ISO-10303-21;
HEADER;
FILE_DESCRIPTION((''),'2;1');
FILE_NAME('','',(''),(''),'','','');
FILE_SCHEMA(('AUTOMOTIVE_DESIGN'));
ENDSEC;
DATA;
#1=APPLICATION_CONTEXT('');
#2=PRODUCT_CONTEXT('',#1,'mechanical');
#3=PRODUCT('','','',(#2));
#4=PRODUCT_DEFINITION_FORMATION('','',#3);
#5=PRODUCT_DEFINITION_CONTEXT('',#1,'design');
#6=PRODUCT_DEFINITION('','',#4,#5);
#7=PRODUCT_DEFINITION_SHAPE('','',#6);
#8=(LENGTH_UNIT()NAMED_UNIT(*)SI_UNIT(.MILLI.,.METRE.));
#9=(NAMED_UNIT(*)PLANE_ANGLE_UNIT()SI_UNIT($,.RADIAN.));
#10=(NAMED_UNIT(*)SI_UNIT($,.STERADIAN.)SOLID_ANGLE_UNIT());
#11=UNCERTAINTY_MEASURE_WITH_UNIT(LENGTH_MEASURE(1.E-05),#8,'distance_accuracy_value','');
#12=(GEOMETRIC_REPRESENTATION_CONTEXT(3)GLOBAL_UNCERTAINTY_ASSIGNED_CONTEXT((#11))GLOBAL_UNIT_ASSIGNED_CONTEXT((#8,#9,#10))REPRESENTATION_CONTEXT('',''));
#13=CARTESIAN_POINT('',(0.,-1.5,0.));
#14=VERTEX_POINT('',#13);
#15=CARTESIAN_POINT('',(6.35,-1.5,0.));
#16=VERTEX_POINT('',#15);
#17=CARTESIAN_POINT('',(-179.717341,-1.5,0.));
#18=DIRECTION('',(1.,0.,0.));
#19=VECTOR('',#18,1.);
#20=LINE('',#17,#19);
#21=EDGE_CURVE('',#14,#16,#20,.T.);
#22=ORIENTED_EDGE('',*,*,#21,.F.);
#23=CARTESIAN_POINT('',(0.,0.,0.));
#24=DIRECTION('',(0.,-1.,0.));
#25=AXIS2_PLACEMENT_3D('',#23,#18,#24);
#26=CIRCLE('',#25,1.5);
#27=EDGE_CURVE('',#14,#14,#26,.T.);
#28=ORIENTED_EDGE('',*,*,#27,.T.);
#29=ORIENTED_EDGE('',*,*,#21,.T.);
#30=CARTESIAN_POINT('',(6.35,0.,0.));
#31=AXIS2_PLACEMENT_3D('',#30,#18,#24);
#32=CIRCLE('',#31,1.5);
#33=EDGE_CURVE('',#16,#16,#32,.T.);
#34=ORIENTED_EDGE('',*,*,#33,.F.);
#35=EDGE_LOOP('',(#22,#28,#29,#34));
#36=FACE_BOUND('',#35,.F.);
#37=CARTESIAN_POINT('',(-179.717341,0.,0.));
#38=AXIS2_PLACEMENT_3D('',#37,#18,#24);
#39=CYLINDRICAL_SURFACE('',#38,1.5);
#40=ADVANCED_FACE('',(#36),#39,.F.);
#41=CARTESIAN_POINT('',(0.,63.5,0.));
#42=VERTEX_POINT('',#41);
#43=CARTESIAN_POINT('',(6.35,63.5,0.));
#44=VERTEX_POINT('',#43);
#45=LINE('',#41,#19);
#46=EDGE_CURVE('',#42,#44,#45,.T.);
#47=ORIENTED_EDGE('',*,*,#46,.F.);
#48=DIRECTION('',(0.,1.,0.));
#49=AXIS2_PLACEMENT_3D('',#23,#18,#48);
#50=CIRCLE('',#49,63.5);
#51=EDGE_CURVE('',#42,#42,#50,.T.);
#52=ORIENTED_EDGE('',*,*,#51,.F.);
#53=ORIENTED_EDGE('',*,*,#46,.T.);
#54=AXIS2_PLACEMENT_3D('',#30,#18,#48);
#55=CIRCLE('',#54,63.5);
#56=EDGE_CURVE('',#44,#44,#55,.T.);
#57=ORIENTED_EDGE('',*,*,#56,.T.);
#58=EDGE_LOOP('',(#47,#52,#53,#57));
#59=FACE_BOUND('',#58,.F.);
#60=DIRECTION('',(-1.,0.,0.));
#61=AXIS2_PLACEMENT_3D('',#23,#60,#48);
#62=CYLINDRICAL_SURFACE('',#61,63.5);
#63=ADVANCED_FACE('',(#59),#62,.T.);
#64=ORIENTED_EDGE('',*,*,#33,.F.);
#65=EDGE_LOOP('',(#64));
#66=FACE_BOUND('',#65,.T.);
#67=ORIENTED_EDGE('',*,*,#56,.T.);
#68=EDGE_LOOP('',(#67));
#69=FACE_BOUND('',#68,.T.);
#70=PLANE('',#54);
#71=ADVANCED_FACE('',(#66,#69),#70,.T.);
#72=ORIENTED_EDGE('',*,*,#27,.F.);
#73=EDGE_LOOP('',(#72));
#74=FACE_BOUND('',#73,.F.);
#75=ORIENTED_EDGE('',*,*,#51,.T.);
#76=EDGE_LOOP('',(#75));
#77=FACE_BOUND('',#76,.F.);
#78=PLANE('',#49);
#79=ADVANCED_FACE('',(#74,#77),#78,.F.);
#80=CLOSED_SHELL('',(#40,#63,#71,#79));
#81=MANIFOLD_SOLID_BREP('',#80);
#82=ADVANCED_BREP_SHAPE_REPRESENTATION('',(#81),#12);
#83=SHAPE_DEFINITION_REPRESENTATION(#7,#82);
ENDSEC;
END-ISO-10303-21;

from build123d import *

# Parameters (mm, degrees)
F0_R     = 63.5
F1_DEPTH = 6.35
F2_D     = 3


with BuildPart() as f1:
    # F0 (on Right) → F1 (new body)
    with BuildSketch(Plane.YZ):
        Circle(F0_R)
    extrude(amount=F1_DEPTH)

    # F2 (through all)
    with Locations(Plane(origin=(0, 0, 0), x_dir=(0, 1, 0), z_dir=(-1, 0, 0))):
        with Locations((0, 0)):
            Hole(F2_D / 2)


solid = f1.part
